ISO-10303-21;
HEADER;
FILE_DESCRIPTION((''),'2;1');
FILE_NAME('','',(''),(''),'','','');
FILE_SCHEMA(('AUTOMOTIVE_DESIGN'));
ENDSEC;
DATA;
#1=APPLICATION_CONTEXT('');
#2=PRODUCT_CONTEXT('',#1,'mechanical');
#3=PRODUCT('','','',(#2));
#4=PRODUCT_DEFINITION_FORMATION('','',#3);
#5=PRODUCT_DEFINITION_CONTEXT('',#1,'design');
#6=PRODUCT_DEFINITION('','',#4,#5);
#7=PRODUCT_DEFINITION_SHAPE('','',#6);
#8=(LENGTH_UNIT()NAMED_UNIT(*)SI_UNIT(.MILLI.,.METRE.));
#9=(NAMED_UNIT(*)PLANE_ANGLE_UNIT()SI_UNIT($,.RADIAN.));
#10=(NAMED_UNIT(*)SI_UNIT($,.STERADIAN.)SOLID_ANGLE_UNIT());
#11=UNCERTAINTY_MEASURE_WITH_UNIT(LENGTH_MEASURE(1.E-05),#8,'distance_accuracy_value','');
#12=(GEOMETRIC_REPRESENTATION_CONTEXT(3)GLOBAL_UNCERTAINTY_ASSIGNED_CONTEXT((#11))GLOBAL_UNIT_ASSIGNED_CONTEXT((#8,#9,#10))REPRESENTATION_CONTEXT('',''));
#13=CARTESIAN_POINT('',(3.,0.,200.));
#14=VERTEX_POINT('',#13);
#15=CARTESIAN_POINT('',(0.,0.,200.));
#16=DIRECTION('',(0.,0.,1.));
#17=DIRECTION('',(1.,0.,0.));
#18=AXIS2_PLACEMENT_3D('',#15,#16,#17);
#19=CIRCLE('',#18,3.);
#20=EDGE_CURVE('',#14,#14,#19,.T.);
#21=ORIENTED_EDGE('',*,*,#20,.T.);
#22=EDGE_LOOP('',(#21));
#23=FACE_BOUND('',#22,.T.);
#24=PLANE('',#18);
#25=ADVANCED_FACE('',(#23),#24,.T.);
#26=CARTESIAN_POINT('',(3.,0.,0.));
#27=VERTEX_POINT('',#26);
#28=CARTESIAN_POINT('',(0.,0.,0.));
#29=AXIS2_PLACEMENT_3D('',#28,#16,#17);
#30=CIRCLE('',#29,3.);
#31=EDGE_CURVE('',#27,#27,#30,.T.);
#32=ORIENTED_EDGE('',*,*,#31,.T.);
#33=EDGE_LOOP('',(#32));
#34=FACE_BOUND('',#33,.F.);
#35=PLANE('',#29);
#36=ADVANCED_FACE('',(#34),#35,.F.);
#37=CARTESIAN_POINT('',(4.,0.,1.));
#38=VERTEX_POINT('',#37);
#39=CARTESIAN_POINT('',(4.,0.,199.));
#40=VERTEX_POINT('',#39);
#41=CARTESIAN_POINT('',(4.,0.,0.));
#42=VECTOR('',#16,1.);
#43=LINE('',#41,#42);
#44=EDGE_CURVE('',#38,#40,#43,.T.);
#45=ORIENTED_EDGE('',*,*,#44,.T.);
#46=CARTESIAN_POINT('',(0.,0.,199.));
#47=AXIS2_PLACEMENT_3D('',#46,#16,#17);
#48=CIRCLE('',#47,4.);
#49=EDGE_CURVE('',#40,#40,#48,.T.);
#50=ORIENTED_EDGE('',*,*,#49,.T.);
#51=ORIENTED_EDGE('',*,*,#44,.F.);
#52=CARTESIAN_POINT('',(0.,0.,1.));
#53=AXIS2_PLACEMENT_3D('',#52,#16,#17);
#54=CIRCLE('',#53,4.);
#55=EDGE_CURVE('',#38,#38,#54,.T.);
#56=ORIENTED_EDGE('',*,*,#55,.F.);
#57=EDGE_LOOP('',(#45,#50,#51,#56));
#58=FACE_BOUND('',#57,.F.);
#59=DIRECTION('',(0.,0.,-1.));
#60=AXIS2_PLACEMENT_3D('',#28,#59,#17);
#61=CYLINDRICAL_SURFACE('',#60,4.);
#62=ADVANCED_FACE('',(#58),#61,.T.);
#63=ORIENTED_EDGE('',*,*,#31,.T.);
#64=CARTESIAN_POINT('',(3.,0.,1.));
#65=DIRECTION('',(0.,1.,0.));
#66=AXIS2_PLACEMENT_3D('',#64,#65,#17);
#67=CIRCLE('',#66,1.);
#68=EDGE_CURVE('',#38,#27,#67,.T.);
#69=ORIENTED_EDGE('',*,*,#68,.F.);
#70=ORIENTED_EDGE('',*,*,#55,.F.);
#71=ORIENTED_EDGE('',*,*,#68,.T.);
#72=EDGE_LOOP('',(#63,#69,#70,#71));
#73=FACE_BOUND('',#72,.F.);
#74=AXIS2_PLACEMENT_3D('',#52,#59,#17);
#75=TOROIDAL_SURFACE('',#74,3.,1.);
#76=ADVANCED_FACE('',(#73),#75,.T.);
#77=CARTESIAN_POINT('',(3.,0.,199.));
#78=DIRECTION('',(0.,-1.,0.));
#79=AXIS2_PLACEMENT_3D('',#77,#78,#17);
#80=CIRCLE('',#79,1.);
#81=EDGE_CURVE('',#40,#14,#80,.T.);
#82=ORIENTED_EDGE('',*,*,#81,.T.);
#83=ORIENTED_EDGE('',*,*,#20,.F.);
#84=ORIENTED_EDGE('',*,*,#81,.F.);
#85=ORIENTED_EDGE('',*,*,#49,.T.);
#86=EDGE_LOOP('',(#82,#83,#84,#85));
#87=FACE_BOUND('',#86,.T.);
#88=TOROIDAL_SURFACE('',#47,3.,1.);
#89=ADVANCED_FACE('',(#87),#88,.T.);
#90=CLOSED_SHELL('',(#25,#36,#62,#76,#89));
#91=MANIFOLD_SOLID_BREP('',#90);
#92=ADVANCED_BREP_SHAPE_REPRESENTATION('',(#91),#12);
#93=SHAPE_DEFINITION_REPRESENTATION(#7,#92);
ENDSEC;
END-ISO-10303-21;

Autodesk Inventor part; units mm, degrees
ref_plane "YZ Plane" through (0, 0, 0) normal (1, 0, 0) x (0, 1, 0)
ref_plane "XZ Plane" through (0, 0, 0) normal (0, 1, 0) x (-1, 0, 0)
ref_plane "XY Plane" through (0, 0, 0) normal (0, 0, 1) x (1, 0, 0)
sketch "Sketch1" plane through (0, 0, 0) normal (0, 0, 1) x (1, 0, 0)
  circle A0 centre (0, 0) radius 4
  dimension "d0" = 8
extrude "Extrusion1" add sketch "Sketch1" along normal blind 200
thread "Thread1" size "M8x1.25" class "6g" standard "ANSI Metric M Profile" full length
fillet "Fillet1" radius 1 2 edges at (-4, 0, 200) (-4, 0, 0)
properties part number "S2TR-200" material "Stainless Steel, Polished"
